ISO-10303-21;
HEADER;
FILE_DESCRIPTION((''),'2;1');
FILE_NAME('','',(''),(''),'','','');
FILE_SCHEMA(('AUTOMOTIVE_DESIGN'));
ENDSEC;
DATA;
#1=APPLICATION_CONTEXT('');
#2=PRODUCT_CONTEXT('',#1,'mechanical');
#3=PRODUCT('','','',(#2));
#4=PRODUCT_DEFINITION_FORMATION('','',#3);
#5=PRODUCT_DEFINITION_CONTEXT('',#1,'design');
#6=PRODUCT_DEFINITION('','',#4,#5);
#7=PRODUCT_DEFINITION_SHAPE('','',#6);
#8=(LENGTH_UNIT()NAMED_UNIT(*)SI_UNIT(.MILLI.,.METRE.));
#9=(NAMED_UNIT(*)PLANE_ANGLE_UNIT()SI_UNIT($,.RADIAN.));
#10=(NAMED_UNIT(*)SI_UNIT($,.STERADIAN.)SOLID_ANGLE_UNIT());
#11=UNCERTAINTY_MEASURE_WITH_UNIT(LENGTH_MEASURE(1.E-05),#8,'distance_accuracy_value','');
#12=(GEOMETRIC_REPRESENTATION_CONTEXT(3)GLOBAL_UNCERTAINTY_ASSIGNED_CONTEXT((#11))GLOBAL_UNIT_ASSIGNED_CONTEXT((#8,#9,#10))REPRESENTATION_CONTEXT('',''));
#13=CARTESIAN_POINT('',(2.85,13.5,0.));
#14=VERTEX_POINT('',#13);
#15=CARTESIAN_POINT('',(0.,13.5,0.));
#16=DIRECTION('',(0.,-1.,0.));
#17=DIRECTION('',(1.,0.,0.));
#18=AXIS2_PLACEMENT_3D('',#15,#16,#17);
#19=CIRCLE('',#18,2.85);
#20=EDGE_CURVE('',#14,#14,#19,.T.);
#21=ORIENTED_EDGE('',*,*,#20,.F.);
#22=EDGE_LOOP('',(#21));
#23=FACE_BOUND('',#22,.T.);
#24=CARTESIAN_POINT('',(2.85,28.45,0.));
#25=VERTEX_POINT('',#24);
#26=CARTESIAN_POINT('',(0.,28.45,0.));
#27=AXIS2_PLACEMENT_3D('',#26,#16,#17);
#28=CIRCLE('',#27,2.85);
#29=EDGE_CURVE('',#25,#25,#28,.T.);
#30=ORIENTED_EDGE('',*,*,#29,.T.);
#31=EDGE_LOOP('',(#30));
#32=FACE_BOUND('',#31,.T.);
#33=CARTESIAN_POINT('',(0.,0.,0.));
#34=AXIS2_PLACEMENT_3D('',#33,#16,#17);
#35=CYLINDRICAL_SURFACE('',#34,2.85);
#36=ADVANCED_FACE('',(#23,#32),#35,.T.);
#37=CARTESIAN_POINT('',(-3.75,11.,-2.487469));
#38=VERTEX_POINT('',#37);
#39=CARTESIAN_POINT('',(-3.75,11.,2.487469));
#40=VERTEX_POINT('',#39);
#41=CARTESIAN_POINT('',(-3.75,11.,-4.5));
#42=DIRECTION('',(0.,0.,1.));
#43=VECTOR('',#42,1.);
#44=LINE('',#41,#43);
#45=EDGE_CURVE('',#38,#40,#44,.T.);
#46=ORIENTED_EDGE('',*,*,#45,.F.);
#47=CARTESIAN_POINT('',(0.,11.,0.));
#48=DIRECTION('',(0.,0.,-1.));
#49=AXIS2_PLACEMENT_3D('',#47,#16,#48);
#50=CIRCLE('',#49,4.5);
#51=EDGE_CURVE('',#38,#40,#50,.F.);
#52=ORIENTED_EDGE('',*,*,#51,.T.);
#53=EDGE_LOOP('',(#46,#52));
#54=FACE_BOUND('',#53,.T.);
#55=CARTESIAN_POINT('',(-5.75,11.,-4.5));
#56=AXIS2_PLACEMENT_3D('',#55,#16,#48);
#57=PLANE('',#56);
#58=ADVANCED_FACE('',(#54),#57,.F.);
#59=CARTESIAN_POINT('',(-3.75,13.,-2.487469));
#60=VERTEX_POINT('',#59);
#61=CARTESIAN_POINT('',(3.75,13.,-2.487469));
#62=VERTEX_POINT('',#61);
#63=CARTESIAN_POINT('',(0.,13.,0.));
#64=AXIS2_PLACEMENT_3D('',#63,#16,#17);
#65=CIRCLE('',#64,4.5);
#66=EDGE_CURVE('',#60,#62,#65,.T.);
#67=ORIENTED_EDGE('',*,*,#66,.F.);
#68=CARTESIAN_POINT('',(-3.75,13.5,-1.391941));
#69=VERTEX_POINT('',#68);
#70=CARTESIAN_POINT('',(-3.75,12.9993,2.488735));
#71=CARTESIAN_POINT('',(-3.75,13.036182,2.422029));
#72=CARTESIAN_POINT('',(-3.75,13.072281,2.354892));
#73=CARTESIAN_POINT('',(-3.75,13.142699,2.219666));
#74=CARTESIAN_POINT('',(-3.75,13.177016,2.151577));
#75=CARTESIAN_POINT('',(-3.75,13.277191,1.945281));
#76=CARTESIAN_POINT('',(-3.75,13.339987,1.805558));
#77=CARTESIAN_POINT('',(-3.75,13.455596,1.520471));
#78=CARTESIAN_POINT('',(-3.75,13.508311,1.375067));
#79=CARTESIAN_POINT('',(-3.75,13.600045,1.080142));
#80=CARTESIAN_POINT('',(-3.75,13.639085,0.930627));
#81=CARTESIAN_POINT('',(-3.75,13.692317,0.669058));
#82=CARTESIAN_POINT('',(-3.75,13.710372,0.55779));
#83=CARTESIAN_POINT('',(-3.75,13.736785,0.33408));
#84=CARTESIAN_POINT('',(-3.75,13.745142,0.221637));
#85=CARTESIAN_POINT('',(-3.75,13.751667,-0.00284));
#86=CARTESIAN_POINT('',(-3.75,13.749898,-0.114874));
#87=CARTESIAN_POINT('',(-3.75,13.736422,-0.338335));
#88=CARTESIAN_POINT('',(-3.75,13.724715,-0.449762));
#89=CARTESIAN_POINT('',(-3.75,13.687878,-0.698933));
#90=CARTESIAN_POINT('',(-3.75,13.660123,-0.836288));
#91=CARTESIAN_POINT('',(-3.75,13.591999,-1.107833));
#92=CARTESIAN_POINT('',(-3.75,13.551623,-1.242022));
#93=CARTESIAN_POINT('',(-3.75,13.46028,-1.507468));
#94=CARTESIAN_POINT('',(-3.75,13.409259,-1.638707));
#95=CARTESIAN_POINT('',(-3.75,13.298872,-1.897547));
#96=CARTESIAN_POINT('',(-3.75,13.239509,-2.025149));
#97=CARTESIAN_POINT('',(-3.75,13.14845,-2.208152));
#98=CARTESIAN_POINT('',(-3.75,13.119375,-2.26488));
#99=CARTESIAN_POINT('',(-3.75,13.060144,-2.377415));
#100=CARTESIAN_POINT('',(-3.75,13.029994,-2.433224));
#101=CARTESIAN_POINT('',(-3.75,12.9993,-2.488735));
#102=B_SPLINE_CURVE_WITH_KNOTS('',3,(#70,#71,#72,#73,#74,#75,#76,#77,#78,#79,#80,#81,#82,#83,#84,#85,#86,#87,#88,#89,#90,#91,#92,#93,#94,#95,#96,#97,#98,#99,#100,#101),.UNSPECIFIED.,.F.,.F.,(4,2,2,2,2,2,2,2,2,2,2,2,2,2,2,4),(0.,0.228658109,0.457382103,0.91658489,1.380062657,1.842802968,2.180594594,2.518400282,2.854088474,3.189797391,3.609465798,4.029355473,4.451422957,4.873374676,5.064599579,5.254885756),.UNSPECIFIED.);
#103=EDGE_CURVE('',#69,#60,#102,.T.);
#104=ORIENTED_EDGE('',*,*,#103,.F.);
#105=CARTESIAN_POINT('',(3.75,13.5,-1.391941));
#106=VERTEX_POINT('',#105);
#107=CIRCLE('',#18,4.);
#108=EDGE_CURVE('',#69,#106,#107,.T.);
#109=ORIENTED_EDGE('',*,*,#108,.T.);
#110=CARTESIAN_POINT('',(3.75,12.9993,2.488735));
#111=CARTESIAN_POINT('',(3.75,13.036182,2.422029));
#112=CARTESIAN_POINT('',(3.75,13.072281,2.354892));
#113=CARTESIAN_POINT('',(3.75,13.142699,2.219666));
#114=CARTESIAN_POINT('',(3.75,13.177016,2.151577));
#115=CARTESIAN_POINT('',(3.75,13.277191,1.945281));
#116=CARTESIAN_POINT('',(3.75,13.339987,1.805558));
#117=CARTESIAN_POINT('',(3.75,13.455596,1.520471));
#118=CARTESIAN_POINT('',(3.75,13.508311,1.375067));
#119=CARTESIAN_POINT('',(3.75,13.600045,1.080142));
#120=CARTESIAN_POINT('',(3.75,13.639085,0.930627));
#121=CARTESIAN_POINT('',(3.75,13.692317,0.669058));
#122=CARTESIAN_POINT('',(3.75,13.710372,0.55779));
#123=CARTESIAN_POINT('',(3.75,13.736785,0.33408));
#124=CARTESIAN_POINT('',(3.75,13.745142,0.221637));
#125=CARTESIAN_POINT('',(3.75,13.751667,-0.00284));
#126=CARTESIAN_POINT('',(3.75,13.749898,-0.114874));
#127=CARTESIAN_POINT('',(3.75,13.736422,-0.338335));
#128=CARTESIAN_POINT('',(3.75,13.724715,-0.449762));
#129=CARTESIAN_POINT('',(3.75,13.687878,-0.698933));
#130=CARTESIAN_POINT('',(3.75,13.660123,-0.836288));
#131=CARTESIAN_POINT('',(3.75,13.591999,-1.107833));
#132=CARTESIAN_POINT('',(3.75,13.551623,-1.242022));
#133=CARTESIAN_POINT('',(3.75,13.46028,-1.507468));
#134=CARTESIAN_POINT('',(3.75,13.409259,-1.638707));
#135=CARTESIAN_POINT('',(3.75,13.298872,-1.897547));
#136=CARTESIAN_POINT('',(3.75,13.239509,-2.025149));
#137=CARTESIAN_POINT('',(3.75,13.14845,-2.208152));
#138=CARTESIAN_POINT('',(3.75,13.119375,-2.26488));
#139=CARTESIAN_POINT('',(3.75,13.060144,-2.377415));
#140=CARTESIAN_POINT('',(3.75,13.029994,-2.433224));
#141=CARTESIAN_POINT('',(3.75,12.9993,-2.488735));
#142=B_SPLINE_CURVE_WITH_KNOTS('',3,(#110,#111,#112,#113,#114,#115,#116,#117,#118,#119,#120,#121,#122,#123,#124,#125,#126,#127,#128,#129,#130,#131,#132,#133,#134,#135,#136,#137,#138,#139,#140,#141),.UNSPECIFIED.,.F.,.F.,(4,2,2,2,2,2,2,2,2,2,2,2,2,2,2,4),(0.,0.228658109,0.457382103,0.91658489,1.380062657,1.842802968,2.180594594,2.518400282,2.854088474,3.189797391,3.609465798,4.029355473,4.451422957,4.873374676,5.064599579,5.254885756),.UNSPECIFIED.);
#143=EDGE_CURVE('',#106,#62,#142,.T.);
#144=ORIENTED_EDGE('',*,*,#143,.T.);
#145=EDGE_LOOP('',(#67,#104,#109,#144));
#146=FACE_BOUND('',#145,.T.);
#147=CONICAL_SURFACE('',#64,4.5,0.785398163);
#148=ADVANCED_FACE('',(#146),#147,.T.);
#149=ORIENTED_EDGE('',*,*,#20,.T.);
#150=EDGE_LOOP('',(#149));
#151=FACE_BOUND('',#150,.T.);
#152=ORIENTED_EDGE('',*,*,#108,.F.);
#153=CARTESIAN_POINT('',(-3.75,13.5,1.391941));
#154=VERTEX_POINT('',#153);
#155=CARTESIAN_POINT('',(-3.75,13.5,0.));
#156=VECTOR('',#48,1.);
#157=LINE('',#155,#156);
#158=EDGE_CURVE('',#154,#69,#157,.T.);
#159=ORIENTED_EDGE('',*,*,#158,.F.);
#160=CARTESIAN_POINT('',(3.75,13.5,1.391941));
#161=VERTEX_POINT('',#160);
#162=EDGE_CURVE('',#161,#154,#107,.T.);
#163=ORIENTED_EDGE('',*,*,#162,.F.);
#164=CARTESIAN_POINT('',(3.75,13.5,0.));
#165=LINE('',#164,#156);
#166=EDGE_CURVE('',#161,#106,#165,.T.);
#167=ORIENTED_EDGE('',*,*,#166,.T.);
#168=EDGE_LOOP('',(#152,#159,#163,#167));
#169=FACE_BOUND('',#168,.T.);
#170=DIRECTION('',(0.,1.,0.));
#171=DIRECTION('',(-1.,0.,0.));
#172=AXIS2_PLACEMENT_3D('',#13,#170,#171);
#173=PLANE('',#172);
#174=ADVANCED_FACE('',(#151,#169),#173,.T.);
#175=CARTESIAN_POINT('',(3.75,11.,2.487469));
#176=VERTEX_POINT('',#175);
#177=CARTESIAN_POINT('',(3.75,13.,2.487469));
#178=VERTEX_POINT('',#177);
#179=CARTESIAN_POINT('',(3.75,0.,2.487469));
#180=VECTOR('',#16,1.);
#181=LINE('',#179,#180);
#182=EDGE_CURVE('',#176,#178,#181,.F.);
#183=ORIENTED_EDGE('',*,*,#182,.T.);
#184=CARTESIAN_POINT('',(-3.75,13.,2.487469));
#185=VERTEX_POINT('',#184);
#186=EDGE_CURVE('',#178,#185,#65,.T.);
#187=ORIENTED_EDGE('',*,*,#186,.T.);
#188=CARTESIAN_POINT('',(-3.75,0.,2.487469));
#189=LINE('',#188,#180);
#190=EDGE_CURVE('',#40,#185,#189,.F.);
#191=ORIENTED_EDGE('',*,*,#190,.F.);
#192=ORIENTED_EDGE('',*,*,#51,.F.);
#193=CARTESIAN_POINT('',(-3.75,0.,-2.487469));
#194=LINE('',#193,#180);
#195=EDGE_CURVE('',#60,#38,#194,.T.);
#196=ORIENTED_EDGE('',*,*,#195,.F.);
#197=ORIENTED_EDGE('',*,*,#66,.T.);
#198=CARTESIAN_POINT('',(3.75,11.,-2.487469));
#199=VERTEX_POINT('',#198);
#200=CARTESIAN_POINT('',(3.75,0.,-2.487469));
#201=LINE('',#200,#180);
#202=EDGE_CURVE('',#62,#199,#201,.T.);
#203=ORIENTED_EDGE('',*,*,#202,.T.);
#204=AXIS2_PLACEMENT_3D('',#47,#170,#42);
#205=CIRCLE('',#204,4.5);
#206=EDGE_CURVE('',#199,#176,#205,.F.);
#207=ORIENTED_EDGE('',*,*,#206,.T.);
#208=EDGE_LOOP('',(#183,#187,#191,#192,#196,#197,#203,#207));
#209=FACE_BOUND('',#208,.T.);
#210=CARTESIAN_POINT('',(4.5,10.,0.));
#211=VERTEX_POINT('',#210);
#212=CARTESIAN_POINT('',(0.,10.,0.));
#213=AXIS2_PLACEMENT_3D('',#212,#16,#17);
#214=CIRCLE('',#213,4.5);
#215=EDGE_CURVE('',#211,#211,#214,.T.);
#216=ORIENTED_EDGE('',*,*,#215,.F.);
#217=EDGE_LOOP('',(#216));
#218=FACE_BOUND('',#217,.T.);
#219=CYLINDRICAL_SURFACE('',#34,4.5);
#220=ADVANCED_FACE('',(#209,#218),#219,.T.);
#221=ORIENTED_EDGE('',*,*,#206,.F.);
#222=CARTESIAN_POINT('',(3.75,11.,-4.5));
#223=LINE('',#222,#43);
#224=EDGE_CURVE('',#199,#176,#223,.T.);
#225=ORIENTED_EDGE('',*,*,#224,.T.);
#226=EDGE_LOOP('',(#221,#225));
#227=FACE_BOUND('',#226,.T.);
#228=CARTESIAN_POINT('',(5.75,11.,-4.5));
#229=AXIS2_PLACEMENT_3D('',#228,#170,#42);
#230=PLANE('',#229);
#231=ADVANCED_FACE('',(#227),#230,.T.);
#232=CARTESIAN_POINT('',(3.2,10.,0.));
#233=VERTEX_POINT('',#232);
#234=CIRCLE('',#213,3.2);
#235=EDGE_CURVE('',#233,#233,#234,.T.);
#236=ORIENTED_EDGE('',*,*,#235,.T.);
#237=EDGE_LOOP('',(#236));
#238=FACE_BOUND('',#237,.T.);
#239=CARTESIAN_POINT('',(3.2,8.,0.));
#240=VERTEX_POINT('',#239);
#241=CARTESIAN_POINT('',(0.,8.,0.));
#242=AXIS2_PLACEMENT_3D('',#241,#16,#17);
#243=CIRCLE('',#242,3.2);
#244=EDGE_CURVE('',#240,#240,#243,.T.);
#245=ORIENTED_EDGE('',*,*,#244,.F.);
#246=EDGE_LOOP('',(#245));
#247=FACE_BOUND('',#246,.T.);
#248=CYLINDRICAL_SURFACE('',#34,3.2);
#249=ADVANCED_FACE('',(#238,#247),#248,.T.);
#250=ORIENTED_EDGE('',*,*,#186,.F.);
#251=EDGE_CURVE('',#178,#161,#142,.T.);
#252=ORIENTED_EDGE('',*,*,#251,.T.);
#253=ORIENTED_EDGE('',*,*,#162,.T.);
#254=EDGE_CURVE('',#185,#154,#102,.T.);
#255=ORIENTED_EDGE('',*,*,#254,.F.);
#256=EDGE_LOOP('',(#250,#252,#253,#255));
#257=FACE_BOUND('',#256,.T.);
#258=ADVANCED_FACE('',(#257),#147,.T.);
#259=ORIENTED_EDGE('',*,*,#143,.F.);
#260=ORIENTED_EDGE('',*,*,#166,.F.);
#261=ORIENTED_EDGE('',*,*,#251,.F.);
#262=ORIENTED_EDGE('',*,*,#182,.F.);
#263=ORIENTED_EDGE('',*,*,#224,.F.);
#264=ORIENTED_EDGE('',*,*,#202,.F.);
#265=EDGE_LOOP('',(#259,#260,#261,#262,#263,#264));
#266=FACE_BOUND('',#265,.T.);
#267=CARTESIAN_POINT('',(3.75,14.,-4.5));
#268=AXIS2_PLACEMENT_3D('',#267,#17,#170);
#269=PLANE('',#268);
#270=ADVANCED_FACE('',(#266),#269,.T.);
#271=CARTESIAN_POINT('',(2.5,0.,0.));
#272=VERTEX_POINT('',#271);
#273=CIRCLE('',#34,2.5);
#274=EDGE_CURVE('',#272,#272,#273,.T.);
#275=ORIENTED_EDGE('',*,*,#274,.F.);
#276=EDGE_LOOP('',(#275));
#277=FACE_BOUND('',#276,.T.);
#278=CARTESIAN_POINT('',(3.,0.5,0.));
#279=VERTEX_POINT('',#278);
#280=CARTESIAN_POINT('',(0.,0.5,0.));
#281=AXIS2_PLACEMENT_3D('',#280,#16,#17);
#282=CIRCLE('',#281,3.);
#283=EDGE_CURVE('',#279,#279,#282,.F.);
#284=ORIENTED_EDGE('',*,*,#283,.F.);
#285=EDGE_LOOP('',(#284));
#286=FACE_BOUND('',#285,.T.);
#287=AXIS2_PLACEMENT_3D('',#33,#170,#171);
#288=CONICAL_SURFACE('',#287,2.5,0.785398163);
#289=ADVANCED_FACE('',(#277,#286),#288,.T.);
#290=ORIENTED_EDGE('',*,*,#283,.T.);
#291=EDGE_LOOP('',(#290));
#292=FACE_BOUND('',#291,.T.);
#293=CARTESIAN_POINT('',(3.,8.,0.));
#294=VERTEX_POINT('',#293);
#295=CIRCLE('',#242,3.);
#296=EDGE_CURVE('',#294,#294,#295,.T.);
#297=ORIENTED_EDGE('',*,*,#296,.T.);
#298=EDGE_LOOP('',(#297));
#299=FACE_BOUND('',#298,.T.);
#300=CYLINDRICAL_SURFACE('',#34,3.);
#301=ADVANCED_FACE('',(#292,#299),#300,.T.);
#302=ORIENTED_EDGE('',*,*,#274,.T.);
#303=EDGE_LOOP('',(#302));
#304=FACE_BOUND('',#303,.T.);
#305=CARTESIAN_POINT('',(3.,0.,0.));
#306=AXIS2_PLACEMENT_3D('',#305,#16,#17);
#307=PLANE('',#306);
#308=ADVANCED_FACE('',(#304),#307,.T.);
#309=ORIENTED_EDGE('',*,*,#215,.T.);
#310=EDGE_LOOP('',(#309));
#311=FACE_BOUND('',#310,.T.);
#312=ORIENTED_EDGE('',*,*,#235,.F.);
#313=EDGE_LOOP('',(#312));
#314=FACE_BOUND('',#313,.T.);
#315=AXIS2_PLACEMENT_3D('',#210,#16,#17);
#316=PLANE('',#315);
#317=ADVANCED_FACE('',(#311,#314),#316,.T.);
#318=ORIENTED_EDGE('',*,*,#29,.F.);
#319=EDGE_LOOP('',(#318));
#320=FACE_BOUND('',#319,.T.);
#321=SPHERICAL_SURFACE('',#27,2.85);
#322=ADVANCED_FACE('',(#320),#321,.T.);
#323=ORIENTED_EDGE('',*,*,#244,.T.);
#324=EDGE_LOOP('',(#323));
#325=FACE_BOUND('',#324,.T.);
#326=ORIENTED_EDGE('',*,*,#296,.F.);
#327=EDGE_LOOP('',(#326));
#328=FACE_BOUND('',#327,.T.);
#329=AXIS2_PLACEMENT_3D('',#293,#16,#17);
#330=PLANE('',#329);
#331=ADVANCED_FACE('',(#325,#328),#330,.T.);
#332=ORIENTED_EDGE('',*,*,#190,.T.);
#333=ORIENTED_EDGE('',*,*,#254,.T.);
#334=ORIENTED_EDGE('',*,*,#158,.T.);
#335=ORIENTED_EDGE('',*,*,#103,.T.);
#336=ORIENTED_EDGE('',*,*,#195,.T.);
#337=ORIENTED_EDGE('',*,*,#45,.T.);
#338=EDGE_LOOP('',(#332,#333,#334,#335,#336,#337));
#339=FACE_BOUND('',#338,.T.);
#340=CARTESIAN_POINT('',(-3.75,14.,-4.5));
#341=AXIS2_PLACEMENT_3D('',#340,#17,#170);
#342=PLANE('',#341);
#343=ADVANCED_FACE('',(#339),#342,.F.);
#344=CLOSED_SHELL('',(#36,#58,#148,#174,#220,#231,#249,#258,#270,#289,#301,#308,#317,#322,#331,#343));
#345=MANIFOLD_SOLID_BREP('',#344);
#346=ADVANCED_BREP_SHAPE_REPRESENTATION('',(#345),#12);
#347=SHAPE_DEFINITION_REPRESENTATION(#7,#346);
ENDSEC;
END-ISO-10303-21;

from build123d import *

# Parameters (mm, degrees)
SKETCH3_W          = 2
SKETCH3_H          = 3
CUT_EXTRUDE1_DEPTH = 32.940413272
CHAMFER1_SIZE      = 0.5


with BuildPart() as part:
    # Sketch2 → Revolve1 (revolve)
    with BuildSketch(Plane.XY):
        with BuildLine():
            Line((0, 0), (0, 31.3))
            ThreePointArc((0, 31.3), (2.015254326, 30.465254326), (2.85, 28.45))
            Line((2.85, 28.45), (2.85, 13.5))
            Line((2.85, 13.5), (4, 13.5))
            Line((4, 13.5), (4.5, 13))
            Line((4.5, 13), (4.5, 10))
            Line((4.5, 10), (3.2, 10))
            Line((3.2, 10), (3.2, 8))
            Line((3.2, 8), (3, 8))
            Line((3, 8), (3, 0))
            Line((3, 0), (0, 0))
        make_face()
    revolve(axis=Axis((0, 0, 0), (0, 1, 0)))

    # Sketch3 → Cut-Extrude1 (cut, symmetric)
    with BuildSketch(Plane.XY):
        with Locations((-4.75, 12.5)):
            Rectangle(SKETCH3_W, SKETCH3_H)
    cut_extrude1 = extrude(amount=CUT_EXTRUDE1_DEPTH, both=True, mode=Mode.SUBTRACT)

    # Mirror1: Cut-Extrude1 across plane
    add(cut_extrude1.mirror(Plane(origin=(0, 0, 0), x_dir=(0, 0, 1), z_dir=(1, 0, 0))), mode=Mode.SUBTRACT)

    # Chamfer1
    chamfer1_edges = [part.edges().sort_by_distance(p)[0] for p in [
        (-3, 0, 0),
    ]]
    chamfer(chamfer1_edges, length=CHAMFER1_SIZE)


solid = part.part
